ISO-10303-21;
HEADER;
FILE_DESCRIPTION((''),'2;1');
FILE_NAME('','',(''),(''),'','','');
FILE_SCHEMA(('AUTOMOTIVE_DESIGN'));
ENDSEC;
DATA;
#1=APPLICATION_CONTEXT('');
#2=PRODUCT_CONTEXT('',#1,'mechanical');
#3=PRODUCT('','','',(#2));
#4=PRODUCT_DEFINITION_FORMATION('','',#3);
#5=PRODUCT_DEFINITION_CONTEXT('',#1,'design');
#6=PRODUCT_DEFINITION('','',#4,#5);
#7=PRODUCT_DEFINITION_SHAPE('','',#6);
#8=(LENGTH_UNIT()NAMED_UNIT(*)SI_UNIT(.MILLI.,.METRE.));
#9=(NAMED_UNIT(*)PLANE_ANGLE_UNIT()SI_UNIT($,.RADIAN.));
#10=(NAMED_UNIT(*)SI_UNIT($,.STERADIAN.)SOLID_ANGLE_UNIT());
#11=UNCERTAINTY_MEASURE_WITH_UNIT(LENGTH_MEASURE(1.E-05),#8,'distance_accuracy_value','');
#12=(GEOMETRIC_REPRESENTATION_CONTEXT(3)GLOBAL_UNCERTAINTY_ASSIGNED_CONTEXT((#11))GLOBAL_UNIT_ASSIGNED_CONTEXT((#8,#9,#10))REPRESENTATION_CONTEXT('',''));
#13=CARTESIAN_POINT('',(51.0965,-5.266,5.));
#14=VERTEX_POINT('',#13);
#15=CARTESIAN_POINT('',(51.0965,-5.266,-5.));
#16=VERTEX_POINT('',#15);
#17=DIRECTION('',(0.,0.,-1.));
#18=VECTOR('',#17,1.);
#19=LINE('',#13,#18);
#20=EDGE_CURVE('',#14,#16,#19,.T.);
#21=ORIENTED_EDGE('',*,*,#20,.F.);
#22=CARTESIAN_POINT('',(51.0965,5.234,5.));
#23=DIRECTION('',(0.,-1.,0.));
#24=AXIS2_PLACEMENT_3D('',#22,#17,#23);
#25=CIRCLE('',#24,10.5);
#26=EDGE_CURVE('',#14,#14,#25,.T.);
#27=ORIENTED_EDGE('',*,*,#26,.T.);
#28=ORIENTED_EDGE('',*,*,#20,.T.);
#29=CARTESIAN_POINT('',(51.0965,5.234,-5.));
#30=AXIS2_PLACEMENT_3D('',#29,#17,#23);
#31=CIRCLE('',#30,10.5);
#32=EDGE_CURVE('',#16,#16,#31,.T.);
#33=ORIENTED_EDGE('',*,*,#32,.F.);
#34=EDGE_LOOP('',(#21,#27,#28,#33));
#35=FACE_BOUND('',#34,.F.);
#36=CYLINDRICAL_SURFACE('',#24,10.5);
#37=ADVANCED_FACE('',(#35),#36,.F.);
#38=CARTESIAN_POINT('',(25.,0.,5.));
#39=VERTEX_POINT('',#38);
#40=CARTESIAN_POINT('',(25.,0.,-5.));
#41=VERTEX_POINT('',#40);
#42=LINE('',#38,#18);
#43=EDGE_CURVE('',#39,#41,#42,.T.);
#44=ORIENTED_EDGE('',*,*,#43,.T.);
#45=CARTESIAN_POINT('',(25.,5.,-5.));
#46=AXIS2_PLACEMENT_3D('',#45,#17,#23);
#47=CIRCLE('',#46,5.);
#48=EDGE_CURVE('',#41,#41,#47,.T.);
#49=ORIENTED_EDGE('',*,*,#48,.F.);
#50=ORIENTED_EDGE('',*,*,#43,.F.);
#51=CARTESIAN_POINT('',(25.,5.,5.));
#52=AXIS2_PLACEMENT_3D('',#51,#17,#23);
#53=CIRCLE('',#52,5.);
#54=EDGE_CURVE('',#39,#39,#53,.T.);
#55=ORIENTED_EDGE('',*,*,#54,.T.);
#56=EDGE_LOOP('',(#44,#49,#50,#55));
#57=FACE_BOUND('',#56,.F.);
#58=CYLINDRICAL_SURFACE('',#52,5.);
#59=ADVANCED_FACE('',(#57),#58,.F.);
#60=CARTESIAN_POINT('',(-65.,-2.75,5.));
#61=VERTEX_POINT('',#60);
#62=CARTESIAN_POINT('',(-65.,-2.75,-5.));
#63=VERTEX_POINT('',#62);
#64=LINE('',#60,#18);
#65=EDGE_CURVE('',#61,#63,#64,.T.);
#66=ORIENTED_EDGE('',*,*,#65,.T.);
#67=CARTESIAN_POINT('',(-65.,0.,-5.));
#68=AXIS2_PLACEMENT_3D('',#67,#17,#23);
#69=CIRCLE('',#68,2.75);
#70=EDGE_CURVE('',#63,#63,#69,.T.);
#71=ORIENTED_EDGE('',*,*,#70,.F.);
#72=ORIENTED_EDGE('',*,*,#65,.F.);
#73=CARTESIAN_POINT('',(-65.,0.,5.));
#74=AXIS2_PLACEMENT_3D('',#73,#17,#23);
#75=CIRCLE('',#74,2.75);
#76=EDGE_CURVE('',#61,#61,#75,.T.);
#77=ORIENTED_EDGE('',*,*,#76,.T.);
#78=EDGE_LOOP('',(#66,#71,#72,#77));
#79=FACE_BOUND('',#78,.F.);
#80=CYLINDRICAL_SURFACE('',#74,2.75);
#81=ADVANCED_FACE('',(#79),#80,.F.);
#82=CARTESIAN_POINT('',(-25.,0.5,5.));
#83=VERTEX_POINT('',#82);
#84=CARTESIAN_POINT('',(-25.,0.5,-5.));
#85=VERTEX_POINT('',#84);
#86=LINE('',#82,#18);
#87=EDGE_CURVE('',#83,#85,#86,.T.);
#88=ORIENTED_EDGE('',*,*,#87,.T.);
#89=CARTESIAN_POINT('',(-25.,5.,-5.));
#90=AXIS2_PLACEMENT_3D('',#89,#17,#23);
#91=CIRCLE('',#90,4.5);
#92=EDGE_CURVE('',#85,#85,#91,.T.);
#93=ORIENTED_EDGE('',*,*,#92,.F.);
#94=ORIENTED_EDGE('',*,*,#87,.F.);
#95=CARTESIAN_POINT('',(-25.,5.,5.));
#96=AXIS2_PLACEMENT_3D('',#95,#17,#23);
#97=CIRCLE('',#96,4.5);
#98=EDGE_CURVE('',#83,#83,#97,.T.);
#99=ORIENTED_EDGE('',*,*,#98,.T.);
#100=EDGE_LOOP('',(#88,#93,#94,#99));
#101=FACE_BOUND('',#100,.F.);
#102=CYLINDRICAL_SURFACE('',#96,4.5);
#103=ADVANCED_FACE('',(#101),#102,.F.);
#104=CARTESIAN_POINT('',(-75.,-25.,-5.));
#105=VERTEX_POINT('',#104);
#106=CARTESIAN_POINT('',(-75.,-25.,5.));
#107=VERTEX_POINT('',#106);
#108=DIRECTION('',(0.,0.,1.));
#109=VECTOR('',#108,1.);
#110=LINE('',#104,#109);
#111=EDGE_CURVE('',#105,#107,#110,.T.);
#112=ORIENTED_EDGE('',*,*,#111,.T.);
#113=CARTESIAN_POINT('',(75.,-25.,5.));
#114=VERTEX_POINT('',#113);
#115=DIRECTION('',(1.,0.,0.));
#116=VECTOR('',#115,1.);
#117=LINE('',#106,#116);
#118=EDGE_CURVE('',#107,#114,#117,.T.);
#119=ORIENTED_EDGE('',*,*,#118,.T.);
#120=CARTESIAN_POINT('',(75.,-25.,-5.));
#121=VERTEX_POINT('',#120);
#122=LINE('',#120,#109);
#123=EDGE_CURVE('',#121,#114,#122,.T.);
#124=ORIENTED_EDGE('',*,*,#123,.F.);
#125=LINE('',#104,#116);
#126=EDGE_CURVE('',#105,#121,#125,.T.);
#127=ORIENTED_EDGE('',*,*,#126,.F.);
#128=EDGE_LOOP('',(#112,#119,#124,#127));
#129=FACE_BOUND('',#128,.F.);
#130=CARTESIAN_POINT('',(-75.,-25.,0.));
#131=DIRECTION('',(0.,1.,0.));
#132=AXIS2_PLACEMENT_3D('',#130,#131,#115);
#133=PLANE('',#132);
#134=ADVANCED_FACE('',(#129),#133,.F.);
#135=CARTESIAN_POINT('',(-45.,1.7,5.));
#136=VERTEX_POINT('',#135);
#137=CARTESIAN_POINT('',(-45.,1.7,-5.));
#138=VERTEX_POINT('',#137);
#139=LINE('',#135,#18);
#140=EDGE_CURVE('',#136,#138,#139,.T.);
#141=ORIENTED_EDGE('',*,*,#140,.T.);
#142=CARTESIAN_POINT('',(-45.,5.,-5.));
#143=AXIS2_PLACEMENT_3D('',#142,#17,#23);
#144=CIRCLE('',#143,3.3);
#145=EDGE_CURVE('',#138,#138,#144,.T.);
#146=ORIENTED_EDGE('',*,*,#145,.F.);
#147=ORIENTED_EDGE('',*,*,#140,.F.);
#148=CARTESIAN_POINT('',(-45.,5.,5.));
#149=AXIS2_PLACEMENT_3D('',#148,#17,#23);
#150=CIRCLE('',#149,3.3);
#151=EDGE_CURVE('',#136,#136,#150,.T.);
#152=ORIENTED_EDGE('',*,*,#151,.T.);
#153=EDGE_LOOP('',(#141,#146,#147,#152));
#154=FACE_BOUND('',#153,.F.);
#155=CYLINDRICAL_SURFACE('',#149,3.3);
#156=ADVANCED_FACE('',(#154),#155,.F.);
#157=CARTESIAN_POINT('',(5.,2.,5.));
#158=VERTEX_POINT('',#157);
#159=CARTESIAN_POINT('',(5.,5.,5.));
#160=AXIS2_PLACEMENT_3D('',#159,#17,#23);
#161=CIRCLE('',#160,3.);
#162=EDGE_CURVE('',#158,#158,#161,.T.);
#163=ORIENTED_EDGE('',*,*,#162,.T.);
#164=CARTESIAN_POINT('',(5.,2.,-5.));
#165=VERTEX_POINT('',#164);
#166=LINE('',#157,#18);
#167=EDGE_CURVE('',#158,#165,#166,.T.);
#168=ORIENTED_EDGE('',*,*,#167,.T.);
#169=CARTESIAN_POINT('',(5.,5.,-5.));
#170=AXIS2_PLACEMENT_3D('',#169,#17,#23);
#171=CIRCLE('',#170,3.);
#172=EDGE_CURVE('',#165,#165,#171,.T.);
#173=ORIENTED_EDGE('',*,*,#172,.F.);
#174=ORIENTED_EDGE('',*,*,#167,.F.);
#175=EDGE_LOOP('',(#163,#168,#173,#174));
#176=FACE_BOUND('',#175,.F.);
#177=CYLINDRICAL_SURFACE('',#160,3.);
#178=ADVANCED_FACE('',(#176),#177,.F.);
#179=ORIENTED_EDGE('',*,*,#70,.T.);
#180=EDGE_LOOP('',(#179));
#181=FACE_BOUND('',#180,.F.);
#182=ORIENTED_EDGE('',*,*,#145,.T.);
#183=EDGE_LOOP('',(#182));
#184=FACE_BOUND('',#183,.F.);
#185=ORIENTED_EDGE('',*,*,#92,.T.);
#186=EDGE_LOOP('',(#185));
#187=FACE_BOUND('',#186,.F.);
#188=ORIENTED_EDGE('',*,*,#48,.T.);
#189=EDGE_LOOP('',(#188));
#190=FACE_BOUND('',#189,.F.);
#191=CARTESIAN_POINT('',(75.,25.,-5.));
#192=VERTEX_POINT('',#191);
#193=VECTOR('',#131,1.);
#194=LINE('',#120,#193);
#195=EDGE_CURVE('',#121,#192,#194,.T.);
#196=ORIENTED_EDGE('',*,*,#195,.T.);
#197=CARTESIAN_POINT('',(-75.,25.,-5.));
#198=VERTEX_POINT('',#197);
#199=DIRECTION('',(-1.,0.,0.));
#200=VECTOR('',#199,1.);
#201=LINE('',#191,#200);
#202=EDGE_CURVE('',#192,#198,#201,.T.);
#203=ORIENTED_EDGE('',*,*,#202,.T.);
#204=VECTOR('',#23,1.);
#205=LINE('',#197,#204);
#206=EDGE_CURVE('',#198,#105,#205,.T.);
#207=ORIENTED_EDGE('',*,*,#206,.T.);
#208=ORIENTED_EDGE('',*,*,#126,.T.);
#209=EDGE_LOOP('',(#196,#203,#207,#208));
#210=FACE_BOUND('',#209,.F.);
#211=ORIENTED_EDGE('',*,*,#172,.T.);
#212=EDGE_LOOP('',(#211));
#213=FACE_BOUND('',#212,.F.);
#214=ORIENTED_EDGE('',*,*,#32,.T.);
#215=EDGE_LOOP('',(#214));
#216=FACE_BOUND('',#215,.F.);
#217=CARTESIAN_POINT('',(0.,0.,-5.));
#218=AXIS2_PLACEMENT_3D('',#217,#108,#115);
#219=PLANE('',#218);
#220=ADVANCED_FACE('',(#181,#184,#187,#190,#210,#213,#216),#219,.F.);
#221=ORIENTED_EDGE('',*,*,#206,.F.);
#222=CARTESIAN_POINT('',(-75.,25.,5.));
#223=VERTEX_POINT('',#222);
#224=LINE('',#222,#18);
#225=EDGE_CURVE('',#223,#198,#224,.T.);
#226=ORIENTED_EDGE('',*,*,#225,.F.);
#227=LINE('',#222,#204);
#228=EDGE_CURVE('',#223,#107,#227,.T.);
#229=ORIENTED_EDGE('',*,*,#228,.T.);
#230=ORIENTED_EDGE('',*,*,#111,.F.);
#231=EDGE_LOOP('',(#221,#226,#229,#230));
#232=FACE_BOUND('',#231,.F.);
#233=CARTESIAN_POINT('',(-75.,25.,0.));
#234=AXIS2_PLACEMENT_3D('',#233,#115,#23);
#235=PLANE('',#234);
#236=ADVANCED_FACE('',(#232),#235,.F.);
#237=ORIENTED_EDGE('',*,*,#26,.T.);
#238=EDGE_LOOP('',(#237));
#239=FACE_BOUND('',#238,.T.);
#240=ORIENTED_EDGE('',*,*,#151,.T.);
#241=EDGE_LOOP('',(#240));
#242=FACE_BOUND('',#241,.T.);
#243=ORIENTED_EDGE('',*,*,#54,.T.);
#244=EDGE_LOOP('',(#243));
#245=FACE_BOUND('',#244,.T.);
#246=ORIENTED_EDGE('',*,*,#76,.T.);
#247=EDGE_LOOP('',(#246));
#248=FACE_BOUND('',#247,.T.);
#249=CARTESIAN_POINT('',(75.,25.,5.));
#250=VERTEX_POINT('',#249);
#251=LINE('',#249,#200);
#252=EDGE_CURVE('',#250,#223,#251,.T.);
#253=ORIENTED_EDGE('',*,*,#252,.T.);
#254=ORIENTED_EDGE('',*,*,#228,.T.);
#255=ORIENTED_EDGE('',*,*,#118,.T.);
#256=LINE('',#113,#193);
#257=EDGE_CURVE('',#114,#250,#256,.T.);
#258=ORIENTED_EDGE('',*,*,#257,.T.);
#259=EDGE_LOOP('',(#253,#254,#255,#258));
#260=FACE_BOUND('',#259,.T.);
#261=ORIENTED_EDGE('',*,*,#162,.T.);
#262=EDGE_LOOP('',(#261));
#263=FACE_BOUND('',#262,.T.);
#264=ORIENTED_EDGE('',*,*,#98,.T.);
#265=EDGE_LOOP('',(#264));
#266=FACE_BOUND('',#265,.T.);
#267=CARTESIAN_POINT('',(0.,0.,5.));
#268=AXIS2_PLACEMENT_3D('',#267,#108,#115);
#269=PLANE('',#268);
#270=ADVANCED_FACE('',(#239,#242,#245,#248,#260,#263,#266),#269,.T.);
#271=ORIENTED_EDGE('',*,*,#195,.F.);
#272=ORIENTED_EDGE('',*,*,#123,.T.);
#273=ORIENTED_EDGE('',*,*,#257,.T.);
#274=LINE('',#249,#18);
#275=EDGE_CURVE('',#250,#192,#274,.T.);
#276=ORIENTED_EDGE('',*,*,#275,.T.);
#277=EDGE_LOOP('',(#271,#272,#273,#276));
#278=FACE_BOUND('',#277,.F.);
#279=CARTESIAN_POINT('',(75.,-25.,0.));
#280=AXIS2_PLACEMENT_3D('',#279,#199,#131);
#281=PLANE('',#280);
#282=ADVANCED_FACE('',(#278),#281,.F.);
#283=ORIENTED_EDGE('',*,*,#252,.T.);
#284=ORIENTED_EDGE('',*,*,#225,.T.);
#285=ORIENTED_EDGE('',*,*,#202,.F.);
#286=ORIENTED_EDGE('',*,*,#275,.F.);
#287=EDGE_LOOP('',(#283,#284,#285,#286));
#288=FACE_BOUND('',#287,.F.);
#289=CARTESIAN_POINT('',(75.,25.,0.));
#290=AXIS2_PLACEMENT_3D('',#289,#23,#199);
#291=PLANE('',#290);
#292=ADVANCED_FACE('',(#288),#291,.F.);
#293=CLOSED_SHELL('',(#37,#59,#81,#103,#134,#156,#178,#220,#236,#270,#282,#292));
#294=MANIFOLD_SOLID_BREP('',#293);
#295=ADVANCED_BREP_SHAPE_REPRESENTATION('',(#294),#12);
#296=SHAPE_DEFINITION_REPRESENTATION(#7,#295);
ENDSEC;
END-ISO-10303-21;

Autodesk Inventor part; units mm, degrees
ref_plane "YZ Plane" through (0, 0, 0) normal (1, 0, 0) x (0, 1, 0)
ref_plane "XZ Plane" through (0, 0, 0) normal (0, 1, 0) x (-1, 0, 0)
ref_plane "XY Plane" through (0, 0, 0) normal (0, 0, 1) x (1, 0, 0)
sketch "Sketch2" plane through (0, 0, 0) normal (0, 0, 1) x (1, 0, 0)
  line L0 (-75, -25) -> (75, -25)
  line L1 (75, -25) -> (75, 25)
  line L2 (75, 25) -> (-75, 25)
  line L3 (-75, 25) -> (-75, -25)
  line L4 (-75, -25) -> (75, 25) construction
  line L5 (75, -25) -> (-75, 25) construction
  point P0 (0, 0)
  dimension "d1" = 150
  dimension "d2" = 50
extrude "Extrusion1" add sketch "Sketch2" along normal mid plane 10
sketch "Sketch3" plane through (0, 0, 5) normal (0, 0, 1) x (1, 0, 0)
  line L0 (-75, 25) -> (-75, -25) projected
  line L1 (75, 25) -> (-75, 25) projected
  point P0 (0, 0)
  point P1 (-65, 0)
  dimension "d40" = 10
  dimension "d43" = 25
hole "Hole1" at (-65, 0, 5) direction (0, 0, -1) diameter 5.5 depth 14.2 tip angle 118 clearance for "Socket Head Cap Screw" size "M5" standard "TS Profile"
sketch "Sketch4" plane through (0, 0, 5) normal (0, 0, 1) x (1, 0, 0)
  line L0 (-75, 25) -> (-75, -25) projected
  line L1 (75, 25) -> (-75, 25) projected
  point P0 (0, 0)
  point P1 (-45, 5)
  dimension "d41" = 30
  dimension "d42" = 20
hole "Hole2" at (-45, 5, 5) direction (0, 0, -1) diameter 6.6 depth 14.2 tip angle 118 clearance for "Socket Head Cap Screw" size "M6" standard "TS Profile"
sketch "Sketch5" plane through (0, 0, 5) normal (0, 0, 1) x (1, 0, 0)
  line L0 (-75, 25) -> (-75, -25) projected
  line L1 (75, 25) -> (-75, 25) projected
  point P0 (0, 0)
  point P1 (-25, 5)
  dimension "d44" = 50
  dimension "d45" = 20
hole "Hole3" at (-25, 5, 5) direction (0, 0, -1) diameter 9 depth 14.2 tip angle 118 clearance for "Socket Head Cap Screw" size "M8" standard "TS Profile"
sketch "Sketch6" plane through (0, 0, 5) normal (0, 0, 1) x (1, 0, 0)
  line L0 (-75, 25) -> (-75, -25) projected
  line L1 (75, 25) -> (-75, 25) projected
  point P0 (0, 0)
  point P1 (5, 5)
  dimension "d46" = 80
  dimension "d47" = 20
hole "Hole4" at (5, 5, 5) direction (0, 0, -1) diameter 6 depth 14.2 tip angle 118
sketch "Sketch7" plane through (0, 0, 5) normal (0, 0, 1) x (1, 0, 0)
  line L0 (-75, 25) -> (-75, -25) projected
  line L1 (75, 25) -> (-75, 25) projected
  point P0 (0, 0)
  point P1 (25, 5)
  dimension "d48" = 100
  dimension "d49" = 20
hole "Hole5" at (25, 5, 5) direction (0, 0, -1) diameter 10 depth 14.2 tip angle 118
sketch "Sketch8" plane through (0, 0, 5) normal (0, 0, 1) x (1, 0, 0)
  point P0 (0, 0)
  point P1 (51.0965, 5.234)
hole "Hole6" at (51.0965, 5.234, 5) direction (0, 0, -1) diameter 21 depth 14.2 tip angle 118
properties part number "홀간 거리 확인 파트-1" material "SS400"
